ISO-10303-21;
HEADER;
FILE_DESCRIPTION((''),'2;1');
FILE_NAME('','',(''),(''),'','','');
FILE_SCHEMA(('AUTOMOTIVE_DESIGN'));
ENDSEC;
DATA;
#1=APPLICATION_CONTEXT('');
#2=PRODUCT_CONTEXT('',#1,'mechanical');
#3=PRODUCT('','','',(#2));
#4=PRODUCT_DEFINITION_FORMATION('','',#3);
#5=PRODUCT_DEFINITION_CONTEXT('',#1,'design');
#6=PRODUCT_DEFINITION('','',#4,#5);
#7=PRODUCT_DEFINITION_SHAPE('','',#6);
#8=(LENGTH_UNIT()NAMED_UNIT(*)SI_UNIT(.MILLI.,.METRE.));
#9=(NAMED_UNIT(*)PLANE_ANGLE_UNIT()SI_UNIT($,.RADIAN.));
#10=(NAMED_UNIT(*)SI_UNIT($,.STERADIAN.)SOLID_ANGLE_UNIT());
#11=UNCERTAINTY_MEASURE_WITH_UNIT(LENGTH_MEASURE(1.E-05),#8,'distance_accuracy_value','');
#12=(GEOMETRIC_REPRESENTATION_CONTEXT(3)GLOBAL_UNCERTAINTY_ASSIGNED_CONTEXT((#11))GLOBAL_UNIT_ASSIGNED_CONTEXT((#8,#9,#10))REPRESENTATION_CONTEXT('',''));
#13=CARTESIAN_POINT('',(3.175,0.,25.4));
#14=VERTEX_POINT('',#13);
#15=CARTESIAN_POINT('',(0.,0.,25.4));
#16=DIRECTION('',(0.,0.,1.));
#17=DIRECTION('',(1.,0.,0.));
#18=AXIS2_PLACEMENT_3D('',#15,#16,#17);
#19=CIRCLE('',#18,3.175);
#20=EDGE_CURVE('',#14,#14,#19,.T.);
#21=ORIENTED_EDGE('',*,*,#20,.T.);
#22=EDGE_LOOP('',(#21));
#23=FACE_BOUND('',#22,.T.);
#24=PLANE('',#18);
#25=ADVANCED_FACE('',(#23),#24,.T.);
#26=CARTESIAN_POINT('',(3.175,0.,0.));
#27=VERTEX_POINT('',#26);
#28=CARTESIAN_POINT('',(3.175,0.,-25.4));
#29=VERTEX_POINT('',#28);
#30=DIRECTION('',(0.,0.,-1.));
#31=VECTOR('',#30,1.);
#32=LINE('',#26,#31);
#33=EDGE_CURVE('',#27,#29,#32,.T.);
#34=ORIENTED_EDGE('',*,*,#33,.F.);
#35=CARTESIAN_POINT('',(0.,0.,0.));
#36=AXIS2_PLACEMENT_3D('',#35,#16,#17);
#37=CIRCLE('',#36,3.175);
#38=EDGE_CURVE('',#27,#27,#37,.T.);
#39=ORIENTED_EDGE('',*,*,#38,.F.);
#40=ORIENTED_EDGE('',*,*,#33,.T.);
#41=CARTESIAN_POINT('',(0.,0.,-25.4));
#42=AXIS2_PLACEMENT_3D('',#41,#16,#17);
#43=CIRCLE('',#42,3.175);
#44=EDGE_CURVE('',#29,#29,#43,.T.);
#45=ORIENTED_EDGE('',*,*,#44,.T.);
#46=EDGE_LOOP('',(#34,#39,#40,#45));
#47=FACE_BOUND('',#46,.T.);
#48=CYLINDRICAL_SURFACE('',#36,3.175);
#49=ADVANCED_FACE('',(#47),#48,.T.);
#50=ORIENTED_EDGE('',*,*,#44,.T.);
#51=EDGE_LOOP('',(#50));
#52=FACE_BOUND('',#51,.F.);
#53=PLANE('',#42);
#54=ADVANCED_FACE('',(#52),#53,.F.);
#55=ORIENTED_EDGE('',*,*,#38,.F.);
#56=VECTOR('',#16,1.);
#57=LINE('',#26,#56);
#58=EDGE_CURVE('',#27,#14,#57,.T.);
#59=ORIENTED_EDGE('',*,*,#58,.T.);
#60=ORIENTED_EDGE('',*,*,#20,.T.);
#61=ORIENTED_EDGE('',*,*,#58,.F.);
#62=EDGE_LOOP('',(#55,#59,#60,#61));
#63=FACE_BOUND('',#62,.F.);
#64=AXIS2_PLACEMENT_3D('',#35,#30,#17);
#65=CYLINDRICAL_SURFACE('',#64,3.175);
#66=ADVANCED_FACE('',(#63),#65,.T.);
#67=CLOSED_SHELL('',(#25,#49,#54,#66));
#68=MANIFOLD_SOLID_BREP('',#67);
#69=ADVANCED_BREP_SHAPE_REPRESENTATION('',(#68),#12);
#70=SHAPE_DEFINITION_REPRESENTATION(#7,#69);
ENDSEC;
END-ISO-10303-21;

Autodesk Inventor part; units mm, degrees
ref_plane "YZ Plane" through (0, 0, 0) normal (1, 0, 0) x (0, 1, 0)
ref_plane "XZ Plane" through (0, 0, 0) normal (0, 1, 0) x (-1, 0, 0)
sketch "Sketch1" plane through (0, 0, 0) normal (0, 0, 1) x (1, 0, 0)
  circle A0 centre (0, 0) radius 3.175
  dimension "d0" = 6.35
extrude "Extrusion1" add sketch "Sketch1" along normal mid plane 50.8
equation "\"d0\" = diameterOfScrew"
equation "\"d1\" = lengthOfScrew"
equation "\"diameterOfScrew\" = 6.35"
equation "\"lengthOfScrew\" = 50.8"
properties part number "screwForAngledPiece"
